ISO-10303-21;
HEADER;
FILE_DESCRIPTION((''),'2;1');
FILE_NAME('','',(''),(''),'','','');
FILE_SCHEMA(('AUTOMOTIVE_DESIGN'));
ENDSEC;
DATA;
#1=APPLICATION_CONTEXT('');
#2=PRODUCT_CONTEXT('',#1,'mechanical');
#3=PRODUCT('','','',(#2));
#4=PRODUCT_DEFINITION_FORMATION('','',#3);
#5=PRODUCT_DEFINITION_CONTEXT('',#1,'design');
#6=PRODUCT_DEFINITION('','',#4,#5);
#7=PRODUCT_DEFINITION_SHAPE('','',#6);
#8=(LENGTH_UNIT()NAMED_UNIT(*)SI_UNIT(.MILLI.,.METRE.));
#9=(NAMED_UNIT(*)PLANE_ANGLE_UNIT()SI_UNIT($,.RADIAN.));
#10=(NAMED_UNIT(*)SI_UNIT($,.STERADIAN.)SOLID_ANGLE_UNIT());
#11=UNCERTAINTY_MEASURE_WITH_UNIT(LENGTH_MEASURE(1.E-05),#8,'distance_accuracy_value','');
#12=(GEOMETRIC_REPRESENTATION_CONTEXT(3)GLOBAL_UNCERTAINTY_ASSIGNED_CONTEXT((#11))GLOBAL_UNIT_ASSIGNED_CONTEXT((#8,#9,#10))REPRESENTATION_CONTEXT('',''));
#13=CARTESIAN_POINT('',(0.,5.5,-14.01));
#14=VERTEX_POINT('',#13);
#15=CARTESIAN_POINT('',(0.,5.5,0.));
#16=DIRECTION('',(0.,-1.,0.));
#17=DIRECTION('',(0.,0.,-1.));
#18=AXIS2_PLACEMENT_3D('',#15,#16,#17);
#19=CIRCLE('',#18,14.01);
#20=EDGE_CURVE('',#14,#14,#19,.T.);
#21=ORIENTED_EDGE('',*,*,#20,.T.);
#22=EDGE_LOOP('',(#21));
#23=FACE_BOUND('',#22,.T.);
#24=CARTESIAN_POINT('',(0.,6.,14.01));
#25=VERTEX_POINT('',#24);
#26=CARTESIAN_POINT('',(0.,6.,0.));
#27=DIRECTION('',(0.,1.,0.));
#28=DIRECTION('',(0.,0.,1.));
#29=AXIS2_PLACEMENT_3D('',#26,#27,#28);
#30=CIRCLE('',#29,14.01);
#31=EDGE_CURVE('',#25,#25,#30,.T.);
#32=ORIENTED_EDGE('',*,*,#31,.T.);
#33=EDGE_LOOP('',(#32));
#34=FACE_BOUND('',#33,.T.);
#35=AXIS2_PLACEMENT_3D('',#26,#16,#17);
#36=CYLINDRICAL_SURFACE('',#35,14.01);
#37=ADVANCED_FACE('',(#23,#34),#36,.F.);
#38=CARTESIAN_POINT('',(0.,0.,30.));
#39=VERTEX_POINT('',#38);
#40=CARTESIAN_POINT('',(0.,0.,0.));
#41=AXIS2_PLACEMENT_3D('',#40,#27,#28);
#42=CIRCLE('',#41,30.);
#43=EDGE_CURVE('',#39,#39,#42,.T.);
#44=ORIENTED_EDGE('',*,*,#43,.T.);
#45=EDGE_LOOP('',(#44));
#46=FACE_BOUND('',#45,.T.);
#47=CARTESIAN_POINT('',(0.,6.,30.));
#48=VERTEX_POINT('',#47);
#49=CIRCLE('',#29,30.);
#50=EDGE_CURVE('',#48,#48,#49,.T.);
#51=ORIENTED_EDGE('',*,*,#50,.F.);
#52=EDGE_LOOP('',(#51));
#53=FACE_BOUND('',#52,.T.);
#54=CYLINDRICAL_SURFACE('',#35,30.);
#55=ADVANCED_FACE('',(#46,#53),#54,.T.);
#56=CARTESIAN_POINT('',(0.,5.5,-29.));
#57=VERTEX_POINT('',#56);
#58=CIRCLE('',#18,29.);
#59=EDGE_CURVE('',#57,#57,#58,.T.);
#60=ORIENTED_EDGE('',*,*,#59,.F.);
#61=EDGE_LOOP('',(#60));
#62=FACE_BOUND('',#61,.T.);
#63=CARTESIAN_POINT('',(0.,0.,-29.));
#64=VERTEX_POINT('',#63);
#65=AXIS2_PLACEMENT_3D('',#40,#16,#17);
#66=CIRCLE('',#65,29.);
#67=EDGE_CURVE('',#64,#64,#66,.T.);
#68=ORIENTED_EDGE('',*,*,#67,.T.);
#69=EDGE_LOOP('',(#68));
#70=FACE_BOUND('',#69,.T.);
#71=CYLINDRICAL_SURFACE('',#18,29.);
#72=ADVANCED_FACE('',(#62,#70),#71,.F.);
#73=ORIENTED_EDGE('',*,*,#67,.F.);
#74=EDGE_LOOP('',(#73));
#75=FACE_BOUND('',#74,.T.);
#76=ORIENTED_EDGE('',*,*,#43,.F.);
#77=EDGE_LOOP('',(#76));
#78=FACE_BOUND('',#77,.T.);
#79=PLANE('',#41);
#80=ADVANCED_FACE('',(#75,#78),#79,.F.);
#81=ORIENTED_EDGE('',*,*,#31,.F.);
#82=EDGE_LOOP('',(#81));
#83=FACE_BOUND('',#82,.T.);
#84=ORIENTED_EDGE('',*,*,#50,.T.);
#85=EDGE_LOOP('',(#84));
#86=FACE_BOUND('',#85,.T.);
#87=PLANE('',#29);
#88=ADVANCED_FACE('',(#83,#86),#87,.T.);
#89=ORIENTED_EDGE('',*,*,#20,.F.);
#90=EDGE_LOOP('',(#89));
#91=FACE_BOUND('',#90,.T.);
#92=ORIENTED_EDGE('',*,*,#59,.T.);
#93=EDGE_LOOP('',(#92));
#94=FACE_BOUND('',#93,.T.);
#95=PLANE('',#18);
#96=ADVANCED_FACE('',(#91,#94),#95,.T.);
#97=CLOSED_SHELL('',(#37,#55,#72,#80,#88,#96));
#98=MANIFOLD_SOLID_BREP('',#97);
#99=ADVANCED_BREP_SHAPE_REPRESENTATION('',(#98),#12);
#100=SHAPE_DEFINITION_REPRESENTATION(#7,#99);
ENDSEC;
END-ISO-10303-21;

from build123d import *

# Parameters (mm, degrees)
SKETCH1_R           = 30
SKETCH1_R_2         = 14.01
BOSS_EXTRUDE1_DEPTH = 6
SKETCH2_R           = 29
CUT_EXTRUDE1_DEPTH  = 5.5


with BuildPart() as part:
    # Sketch1 → Boss-Extrude1 (new body)
    with BuildSketch(Plane(origin=(0, 0, 0), x_dir=(1, 0, 0), z_dir=(0, 1, 0))):
        with Locations(Location((0, 0, 0), (0, 0, 270))):
            Circle(SKETCH1_R)
        with Locations(Location((0, 0, 0), (0, 0, 270))):
            Circle(SKETCH1_R_2, mode=Mode.SUBTRACT)
    extrude(amount=BOSS_EXTRUDE1_DEPTH)

    # Sketch2 → Cut-Extrude1 (cut)
    with BuildSketch(Plane.XZ):
        with Locations(Location((0, 0, 0), (0, 0, 270))):
            Circle(SKETCH2_R)
    extrude(amount=-CUT_EXTRUDE1_DEPTH, mode=Mode.SUBTRACT)


solid = part.part
